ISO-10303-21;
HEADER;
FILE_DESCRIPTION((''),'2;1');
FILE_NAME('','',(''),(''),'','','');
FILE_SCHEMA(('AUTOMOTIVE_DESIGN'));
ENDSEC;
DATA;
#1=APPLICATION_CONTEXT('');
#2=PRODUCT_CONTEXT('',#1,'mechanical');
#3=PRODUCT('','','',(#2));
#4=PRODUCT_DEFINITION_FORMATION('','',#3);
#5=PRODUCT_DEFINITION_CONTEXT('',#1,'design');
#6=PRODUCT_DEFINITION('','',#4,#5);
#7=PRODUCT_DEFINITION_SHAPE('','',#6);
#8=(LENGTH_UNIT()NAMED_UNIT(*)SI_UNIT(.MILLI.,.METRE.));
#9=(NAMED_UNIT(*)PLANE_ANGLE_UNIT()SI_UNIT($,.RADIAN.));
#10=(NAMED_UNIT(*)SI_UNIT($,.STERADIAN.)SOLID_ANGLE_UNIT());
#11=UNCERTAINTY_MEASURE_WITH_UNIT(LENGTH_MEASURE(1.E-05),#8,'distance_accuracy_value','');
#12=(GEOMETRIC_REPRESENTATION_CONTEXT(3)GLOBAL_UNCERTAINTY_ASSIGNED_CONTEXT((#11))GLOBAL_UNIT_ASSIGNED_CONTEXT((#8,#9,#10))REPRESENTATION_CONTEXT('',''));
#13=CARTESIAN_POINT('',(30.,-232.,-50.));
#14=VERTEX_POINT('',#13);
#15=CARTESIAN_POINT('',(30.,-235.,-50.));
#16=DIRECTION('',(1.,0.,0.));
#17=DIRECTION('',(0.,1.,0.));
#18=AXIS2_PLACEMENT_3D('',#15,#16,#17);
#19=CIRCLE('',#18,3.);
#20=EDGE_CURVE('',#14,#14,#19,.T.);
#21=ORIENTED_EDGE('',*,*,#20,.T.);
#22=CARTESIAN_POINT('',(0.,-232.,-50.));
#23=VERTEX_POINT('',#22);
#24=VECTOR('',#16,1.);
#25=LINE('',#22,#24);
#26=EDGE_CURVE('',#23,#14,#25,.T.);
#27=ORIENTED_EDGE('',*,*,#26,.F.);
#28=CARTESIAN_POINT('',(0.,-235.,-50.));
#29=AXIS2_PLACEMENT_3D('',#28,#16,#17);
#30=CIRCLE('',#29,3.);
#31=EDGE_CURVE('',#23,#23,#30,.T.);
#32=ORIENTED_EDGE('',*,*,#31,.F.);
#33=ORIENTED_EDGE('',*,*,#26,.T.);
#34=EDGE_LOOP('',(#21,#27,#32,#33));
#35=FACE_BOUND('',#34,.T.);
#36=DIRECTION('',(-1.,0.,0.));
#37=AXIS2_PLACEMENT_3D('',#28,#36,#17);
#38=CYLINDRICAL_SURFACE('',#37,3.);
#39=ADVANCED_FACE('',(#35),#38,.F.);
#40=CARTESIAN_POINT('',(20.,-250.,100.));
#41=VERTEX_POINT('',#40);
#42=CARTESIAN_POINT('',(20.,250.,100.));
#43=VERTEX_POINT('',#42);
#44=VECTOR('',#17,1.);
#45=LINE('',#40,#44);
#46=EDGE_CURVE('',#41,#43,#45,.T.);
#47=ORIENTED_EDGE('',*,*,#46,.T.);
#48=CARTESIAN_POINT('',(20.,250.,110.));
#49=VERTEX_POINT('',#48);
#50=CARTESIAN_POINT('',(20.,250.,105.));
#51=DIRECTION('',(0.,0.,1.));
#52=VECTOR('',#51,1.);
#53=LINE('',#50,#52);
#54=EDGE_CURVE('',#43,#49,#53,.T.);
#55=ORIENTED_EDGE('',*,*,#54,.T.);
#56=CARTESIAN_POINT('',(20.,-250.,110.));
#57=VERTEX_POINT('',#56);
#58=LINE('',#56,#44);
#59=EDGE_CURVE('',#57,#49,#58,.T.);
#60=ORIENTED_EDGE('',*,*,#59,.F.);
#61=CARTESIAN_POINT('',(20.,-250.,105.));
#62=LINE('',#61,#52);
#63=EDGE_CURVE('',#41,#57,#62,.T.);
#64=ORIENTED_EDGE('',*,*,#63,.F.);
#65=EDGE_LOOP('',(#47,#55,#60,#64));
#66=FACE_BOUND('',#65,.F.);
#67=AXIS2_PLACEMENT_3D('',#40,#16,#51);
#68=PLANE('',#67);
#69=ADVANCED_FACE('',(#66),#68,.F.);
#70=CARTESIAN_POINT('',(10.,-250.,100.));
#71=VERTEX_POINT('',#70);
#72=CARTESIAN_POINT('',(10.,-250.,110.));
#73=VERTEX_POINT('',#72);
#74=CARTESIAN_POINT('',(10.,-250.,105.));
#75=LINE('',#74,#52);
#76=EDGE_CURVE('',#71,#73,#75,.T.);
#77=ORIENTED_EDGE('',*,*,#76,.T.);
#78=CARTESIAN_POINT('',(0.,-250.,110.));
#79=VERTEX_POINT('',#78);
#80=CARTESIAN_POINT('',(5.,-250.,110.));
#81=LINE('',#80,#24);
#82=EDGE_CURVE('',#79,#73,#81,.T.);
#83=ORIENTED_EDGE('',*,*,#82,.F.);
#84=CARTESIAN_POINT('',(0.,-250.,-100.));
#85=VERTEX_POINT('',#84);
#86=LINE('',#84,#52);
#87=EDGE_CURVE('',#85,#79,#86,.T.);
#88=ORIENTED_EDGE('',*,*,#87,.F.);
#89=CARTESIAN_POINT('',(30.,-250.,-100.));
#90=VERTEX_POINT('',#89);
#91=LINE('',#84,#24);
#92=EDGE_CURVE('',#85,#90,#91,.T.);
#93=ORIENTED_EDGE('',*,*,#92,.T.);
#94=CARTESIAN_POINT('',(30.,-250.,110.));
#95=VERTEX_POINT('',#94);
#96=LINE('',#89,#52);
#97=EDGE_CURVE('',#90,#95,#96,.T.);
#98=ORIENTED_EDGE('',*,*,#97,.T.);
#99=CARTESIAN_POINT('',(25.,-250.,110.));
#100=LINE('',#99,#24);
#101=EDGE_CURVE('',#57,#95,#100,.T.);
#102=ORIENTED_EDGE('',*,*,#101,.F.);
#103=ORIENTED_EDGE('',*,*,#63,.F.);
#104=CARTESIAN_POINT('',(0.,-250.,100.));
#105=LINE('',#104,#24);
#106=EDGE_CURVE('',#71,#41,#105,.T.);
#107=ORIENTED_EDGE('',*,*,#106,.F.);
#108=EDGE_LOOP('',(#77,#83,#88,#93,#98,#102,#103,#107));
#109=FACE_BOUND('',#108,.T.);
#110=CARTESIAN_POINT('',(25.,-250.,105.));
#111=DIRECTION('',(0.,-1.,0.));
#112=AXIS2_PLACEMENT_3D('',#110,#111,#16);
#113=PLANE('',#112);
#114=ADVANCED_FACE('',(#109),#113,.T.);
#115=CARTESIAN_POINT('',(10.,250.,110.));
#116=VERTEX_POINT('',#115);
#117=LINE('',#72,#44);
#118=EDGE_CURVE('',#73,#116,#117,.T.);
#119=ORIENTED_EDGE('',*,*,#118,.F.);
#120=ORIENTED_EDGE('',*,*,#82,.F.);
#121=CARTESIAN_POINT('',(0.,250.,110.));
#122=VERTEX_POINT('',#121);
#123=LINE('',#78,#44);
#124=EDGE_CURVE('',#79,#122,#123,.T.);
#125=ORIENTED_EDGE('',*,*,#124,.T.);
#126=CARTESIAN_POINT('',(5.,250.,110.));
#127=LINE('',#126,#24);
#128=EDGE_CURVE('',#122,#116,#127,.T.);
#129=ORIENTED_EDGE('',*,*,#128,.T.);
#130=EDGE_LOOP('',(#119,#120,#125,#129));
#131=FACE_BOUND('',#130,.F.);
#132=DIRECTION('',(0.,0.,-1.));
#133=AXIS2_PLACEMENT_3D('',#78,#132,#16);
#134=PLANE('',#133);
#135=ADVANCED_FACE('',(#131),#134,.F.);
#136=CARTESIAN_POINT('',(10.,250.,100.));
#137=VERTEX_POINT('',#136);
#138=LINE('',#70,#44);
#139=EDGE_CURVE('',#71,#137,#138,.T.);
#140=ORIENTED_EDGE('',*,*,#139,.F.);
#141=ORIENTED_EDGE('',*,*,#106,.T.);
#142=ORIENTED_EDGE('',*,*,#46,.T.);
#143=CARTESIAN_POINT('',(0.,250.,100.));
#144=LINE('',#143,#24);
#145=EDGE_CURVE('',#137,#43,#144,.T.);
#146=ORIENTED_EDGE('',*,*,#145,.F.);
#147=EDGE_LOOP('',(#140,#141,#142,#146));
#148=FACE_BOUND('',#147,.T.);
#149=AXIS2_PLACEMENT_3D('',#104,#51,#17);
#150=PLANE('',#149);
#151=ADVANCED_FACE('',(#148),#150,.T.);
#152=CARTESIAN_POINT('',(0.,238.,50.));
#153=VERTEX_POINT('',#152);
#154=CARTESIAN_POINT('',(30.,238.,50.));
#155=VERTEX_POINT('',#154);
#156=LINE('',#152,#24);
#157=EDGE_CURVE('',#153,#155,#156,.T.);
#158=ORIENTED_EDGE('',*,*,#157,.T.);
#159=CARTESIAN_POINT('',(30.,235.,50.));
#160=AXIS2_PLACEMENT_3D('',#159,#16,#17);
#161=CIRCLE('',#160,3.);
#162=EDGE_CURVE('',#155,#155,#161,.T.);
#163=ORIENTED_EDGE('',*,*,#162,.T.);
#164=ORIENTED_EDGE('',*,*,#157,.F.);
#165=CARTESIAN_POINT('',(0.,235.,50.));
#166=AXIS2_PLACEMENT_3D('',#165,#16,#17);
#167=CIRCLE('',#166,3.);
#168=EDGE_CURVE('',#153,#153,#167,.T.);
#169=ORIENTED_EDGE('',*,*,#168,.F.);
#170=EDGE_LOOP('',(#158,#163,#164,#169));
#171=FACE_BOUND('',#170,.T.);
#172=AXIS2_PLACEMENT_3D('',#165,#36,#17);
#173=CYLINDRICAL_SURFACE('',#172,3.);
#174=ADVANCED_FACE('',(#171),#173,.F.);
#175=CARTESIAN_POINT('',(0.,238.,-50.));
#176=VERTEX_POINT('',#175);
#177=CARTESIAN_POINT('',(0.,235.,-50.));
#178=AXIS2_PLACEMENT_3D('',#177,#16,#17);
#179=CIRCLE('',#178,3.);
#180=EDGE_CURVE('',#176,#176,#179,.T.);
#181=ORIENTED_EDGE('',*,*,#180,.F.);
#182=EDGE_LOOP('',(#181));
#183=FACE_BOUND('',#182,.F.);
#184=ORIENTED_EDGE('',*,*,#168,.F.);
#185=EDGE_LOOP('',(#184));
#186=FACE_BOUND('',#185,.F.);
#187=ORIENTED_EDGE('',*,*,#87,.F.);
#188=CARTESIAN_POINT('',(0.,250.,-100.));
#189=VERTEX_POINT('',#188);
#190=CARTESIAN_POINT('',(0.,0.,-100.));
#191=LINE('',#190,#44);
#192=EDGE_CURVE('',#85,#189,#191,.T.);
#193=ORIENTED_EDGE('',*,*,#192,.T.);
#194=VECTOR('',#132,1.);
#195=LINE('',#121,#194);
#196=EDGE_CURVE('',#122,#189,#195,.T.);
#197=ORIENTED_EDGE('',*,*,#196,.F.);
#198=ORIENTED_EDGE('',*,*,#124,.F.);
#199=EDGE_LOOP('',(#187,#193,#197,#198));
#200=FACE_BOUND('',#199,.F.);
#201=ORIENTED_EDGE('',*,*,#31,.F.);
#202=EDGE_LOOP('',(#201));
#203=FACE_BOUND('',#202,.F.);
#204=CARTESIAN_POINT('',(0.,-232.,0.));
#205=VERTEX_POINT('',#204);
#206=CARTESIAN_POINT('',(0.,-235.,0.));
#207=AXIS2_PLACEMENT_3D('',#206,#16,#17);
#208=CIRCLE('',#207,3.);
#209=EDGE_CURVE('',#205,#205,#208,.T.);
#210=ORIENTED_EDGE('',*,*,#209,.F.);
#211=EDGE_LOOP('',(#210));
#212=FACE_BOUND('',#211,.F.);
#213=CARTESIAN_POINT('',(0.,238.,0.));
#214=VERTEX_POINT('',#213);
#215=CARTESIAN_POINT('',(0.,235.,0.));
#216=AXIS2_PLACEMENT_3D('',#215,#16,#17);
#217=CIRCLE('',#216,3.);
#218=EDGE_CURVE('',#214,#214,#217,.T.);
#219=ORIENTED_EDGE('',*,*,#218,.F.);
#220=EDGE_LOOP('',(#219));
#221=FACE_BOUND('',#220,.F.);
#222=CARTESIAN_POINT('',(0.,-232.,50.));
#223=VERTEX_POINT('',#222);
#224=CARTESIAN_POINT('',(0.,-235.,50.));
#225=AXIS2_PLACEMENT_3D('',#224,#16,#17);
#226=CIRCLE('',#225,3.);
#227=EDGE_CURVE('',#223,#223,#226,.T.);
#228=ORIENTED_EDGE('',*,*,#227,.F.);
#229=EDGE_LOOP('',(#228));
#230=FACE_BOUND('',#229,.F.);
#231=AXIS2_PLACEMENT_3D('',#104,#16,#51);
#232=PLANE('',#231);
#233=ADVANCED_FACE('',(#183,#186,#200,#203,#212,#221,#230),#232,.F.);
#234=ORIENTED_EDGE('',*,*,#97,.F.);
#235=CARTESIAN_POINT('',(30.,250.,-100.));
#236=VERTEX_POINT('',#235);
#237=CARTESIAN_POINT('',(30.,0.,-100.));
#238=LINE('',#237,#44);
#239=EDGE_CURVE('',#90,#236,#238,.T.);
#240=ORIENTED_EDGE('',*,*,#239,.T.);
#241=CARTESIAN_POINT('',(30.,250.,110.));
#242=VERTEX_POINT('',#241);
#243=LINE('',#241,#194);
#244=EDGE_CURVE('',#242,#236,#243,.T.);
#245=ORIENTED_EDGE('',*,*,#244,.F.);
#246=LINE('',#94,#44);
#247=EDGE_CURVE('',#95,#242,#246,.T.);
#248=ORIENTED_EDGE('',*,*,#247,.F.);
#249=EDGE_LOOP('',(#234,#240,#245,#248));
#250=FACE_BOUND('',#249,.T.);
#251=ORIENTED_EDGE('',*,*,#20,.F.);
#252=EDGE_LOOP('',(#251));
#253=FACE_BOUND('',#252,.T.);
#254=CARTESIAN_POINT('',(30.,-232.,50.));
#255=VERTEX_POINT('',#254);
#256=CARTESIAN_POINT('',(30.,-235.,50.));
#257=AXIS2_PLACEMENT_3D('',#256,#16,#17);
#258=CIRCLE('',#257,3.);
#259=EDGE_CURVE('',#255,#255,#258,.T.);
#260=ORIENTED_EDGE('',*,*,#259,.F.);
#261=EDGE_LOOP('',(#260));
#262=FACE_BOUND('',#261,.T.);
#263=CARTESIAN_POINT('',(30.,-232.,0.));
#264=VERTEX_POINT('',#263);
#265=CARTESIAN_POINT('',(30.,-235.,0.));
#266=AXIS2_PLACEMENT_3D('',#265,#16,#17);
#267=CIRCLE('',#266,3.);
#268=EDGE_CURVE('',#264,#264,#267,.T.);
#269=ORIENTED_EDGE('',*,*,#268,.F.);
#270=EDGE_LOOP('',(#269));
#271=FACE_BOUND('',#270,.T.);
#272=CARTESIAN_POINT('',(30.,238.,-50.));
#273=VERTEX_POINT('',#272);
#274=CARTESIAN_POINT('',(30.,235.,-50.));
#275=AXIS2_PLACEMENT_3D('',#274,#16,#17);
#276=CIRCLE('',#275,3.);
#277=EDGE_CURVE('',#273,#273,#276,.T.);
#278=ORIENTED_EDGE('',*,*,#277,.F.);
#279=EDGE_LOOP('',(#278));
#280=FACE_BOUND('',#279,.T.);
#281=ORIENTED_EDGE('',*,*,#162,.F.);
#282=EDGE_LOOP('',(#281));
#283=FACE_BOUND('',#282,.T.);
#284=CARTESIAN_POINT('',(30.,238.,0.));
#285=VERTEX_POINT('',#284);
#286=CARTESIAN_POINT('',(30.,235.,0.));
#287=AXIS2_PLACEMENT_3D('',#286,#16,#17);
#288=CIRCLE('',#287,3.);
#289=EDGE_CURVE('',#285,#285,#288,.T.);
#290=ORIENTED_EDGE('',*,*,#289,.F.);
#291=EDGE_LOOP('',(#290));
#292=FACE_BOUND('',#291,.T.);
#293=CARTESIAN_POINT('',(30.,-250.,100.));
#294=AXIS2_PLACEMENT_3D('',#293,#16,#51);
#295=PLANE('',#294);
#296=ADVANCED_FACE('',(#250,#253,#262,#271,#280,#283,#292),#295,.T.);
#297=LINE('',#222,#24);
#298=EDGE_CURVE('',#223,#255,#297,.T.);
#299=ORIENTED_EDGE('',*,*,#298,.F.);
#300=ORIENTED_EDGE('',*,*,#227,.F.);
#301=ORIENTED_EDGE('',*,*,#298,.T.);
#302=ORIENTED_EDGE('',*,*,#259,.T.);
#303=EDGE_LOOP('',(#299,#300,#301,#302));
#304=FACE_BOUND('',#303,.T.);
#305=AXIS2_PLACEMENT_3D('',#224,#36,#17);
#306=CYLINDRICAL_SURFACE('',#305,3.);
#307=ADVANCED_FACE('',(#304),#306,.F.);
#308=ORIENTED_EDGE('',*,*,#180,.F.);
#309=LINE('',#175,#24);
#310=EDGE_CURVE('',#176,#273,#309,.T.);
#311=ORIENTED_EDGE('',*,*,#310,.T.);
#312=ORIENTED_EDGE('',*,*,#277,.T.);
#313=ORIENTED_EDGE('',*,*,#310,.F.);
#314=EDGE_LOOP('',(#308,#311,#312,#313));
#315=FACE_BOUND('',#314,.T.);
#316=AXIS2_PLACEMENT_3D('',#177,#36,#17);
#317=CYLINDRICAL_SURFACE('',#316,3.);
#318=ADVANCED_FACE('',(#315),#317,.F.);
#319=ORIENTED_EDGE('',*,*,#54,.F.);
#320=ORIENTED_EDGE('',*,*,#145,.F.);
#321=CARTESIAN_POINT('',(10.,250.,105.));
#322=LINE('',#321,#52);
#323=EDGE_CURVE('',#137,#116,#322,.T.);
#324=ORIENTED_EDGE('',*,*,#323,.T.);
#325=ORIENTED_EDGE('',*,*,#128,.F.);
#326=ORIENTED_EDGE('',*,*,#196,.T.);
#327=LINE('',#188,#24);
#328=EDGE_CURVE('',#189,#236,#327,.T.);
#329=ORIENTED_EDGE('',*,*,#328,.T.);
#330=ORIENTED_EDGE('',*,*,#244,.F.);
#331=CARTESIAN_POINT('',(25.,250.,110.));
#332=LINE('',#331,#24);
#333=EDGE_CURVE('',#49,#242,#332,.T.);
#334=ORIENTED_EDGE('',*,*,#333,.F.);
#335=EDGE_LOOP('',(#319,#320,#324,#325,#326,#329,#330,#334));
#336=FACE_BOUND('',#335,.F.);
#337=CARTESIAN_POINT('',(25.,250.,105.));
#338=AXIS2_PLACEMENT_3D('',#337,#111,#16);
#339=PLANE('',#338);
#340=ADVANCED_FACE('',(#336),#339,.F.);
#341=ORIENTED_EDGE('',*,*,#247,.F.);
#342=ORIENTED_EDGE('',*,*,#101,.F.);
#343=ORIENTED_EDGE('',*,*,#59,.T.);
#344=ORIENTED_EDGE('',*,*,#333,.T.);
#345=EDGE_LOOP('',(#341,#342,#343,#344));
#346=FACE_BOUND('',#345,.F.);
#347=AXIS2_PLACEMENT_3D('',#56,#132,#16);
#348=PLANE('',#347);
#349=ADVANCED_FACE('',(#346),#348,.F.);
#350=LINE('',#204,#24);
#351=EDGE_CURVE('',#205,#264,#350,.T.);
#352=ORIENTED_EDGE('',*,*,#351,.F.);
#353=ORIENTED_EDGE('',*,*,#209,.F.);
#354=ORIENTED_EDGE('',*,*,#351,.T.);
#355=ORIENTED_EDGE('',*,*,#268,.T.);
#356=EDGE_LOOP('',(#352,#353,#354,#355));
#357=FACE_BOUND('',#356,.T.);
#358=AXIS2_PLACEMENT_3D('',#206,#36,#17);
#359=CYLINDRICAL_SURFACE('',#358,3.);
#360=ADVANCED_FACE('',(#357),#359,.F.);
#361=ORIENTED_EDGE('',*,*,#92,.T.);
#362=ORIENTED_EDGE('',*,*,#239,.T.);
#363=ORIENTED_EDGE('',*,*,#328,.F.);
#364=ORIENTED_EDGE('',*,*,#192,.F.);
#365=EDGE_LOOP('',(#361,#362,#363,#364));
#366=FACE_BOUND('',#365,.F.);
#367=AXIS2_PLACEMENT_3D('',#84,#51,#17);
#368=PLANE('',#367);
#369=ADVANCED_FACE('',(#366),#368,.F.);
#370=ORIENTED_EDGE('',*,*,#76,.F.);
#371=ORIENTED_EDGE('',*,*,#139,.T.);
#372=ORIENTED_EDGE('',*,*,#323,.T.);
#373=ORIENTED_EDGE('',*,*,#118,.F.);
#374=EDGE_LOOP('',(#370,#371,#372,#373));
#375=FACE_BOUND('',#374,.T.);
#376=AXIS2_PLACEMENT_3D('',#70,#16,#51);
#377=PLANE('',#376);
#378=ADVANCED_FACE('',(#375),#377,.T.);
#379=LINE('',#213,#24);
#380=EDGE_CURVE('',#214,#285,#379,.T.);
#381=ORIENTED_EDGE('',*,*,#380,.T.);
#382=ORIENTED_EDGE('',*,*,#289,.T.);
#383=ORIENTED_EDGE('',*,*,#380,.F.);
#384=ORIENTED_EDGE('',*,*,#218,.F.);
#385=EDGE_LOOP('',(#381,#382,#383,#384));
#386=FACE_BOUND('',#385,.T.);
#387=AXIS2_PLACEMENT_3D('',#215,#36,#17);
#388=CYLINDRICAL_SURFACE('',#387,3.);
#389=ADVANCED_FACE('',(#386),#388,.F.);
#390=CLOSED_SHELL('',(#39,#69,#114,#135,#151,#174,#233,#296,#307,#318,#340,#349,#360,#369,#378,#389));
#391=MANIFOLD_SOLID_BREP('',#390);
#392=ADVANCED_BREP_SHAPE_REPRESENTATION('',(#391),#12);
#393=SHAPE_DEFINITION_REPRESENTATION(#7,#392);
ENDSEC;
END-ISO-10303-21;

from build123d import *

# Parameters (mm, degrees)
F0_W     = 500
F0_H     = 200
F0_R     = 3
F1_DEPTH = 30
F2_W     = 10
F2_H     = 10
F3_DEPTH = 500
F4_W     = 10
F4_H     = 10
F5_DEPTH = 500


with BuildPart() as f1:
    # F0 (on Right) → F1 (new body)
    with BuildSketch(Plane.YZ):
        Rectangle(F0_W, F0_H)
        with Locations((-235, -50)):
            Circle(F0_R, mode=Mode.SUBTRACT)
        with Locations((235, -50)):
            Circle(F0_R, mode=Mode.SUBTRACT)
        with Locations((-235, 0)):
            Circle(F0_R, mode=Mode.SUBTRACT)
        with Locations((-235, 50)):
            Circle(F0_R, mode=Mode.SUBTRACT)
        with Locations((235, 0)):
            Circle(F0_R, mode=Mode.SUBTRACT)
        with Locations((235, 50)):
            Circle(F0_R, mode=Mode.SUBTRACT)
    extrude(amount=F1_DEPTH)

    # F2 (on face) → F3 (join)
    with BuildSketch(Plane.XZ.offset(250)):
        with Locations((5, 105)):
            Rectangle(F2_W, F2_H)
    extrude(amount=-F3_DEPTH)

    # F4 (on face) → F5 (join)
    with BuildSketch(Plane.XZ.offset(250)):
        with Locations((25, 105)):
            Rectangle(F4_W, F4_H)
    extrude(amount=-F5_DEPTH)


solid = f1.part
